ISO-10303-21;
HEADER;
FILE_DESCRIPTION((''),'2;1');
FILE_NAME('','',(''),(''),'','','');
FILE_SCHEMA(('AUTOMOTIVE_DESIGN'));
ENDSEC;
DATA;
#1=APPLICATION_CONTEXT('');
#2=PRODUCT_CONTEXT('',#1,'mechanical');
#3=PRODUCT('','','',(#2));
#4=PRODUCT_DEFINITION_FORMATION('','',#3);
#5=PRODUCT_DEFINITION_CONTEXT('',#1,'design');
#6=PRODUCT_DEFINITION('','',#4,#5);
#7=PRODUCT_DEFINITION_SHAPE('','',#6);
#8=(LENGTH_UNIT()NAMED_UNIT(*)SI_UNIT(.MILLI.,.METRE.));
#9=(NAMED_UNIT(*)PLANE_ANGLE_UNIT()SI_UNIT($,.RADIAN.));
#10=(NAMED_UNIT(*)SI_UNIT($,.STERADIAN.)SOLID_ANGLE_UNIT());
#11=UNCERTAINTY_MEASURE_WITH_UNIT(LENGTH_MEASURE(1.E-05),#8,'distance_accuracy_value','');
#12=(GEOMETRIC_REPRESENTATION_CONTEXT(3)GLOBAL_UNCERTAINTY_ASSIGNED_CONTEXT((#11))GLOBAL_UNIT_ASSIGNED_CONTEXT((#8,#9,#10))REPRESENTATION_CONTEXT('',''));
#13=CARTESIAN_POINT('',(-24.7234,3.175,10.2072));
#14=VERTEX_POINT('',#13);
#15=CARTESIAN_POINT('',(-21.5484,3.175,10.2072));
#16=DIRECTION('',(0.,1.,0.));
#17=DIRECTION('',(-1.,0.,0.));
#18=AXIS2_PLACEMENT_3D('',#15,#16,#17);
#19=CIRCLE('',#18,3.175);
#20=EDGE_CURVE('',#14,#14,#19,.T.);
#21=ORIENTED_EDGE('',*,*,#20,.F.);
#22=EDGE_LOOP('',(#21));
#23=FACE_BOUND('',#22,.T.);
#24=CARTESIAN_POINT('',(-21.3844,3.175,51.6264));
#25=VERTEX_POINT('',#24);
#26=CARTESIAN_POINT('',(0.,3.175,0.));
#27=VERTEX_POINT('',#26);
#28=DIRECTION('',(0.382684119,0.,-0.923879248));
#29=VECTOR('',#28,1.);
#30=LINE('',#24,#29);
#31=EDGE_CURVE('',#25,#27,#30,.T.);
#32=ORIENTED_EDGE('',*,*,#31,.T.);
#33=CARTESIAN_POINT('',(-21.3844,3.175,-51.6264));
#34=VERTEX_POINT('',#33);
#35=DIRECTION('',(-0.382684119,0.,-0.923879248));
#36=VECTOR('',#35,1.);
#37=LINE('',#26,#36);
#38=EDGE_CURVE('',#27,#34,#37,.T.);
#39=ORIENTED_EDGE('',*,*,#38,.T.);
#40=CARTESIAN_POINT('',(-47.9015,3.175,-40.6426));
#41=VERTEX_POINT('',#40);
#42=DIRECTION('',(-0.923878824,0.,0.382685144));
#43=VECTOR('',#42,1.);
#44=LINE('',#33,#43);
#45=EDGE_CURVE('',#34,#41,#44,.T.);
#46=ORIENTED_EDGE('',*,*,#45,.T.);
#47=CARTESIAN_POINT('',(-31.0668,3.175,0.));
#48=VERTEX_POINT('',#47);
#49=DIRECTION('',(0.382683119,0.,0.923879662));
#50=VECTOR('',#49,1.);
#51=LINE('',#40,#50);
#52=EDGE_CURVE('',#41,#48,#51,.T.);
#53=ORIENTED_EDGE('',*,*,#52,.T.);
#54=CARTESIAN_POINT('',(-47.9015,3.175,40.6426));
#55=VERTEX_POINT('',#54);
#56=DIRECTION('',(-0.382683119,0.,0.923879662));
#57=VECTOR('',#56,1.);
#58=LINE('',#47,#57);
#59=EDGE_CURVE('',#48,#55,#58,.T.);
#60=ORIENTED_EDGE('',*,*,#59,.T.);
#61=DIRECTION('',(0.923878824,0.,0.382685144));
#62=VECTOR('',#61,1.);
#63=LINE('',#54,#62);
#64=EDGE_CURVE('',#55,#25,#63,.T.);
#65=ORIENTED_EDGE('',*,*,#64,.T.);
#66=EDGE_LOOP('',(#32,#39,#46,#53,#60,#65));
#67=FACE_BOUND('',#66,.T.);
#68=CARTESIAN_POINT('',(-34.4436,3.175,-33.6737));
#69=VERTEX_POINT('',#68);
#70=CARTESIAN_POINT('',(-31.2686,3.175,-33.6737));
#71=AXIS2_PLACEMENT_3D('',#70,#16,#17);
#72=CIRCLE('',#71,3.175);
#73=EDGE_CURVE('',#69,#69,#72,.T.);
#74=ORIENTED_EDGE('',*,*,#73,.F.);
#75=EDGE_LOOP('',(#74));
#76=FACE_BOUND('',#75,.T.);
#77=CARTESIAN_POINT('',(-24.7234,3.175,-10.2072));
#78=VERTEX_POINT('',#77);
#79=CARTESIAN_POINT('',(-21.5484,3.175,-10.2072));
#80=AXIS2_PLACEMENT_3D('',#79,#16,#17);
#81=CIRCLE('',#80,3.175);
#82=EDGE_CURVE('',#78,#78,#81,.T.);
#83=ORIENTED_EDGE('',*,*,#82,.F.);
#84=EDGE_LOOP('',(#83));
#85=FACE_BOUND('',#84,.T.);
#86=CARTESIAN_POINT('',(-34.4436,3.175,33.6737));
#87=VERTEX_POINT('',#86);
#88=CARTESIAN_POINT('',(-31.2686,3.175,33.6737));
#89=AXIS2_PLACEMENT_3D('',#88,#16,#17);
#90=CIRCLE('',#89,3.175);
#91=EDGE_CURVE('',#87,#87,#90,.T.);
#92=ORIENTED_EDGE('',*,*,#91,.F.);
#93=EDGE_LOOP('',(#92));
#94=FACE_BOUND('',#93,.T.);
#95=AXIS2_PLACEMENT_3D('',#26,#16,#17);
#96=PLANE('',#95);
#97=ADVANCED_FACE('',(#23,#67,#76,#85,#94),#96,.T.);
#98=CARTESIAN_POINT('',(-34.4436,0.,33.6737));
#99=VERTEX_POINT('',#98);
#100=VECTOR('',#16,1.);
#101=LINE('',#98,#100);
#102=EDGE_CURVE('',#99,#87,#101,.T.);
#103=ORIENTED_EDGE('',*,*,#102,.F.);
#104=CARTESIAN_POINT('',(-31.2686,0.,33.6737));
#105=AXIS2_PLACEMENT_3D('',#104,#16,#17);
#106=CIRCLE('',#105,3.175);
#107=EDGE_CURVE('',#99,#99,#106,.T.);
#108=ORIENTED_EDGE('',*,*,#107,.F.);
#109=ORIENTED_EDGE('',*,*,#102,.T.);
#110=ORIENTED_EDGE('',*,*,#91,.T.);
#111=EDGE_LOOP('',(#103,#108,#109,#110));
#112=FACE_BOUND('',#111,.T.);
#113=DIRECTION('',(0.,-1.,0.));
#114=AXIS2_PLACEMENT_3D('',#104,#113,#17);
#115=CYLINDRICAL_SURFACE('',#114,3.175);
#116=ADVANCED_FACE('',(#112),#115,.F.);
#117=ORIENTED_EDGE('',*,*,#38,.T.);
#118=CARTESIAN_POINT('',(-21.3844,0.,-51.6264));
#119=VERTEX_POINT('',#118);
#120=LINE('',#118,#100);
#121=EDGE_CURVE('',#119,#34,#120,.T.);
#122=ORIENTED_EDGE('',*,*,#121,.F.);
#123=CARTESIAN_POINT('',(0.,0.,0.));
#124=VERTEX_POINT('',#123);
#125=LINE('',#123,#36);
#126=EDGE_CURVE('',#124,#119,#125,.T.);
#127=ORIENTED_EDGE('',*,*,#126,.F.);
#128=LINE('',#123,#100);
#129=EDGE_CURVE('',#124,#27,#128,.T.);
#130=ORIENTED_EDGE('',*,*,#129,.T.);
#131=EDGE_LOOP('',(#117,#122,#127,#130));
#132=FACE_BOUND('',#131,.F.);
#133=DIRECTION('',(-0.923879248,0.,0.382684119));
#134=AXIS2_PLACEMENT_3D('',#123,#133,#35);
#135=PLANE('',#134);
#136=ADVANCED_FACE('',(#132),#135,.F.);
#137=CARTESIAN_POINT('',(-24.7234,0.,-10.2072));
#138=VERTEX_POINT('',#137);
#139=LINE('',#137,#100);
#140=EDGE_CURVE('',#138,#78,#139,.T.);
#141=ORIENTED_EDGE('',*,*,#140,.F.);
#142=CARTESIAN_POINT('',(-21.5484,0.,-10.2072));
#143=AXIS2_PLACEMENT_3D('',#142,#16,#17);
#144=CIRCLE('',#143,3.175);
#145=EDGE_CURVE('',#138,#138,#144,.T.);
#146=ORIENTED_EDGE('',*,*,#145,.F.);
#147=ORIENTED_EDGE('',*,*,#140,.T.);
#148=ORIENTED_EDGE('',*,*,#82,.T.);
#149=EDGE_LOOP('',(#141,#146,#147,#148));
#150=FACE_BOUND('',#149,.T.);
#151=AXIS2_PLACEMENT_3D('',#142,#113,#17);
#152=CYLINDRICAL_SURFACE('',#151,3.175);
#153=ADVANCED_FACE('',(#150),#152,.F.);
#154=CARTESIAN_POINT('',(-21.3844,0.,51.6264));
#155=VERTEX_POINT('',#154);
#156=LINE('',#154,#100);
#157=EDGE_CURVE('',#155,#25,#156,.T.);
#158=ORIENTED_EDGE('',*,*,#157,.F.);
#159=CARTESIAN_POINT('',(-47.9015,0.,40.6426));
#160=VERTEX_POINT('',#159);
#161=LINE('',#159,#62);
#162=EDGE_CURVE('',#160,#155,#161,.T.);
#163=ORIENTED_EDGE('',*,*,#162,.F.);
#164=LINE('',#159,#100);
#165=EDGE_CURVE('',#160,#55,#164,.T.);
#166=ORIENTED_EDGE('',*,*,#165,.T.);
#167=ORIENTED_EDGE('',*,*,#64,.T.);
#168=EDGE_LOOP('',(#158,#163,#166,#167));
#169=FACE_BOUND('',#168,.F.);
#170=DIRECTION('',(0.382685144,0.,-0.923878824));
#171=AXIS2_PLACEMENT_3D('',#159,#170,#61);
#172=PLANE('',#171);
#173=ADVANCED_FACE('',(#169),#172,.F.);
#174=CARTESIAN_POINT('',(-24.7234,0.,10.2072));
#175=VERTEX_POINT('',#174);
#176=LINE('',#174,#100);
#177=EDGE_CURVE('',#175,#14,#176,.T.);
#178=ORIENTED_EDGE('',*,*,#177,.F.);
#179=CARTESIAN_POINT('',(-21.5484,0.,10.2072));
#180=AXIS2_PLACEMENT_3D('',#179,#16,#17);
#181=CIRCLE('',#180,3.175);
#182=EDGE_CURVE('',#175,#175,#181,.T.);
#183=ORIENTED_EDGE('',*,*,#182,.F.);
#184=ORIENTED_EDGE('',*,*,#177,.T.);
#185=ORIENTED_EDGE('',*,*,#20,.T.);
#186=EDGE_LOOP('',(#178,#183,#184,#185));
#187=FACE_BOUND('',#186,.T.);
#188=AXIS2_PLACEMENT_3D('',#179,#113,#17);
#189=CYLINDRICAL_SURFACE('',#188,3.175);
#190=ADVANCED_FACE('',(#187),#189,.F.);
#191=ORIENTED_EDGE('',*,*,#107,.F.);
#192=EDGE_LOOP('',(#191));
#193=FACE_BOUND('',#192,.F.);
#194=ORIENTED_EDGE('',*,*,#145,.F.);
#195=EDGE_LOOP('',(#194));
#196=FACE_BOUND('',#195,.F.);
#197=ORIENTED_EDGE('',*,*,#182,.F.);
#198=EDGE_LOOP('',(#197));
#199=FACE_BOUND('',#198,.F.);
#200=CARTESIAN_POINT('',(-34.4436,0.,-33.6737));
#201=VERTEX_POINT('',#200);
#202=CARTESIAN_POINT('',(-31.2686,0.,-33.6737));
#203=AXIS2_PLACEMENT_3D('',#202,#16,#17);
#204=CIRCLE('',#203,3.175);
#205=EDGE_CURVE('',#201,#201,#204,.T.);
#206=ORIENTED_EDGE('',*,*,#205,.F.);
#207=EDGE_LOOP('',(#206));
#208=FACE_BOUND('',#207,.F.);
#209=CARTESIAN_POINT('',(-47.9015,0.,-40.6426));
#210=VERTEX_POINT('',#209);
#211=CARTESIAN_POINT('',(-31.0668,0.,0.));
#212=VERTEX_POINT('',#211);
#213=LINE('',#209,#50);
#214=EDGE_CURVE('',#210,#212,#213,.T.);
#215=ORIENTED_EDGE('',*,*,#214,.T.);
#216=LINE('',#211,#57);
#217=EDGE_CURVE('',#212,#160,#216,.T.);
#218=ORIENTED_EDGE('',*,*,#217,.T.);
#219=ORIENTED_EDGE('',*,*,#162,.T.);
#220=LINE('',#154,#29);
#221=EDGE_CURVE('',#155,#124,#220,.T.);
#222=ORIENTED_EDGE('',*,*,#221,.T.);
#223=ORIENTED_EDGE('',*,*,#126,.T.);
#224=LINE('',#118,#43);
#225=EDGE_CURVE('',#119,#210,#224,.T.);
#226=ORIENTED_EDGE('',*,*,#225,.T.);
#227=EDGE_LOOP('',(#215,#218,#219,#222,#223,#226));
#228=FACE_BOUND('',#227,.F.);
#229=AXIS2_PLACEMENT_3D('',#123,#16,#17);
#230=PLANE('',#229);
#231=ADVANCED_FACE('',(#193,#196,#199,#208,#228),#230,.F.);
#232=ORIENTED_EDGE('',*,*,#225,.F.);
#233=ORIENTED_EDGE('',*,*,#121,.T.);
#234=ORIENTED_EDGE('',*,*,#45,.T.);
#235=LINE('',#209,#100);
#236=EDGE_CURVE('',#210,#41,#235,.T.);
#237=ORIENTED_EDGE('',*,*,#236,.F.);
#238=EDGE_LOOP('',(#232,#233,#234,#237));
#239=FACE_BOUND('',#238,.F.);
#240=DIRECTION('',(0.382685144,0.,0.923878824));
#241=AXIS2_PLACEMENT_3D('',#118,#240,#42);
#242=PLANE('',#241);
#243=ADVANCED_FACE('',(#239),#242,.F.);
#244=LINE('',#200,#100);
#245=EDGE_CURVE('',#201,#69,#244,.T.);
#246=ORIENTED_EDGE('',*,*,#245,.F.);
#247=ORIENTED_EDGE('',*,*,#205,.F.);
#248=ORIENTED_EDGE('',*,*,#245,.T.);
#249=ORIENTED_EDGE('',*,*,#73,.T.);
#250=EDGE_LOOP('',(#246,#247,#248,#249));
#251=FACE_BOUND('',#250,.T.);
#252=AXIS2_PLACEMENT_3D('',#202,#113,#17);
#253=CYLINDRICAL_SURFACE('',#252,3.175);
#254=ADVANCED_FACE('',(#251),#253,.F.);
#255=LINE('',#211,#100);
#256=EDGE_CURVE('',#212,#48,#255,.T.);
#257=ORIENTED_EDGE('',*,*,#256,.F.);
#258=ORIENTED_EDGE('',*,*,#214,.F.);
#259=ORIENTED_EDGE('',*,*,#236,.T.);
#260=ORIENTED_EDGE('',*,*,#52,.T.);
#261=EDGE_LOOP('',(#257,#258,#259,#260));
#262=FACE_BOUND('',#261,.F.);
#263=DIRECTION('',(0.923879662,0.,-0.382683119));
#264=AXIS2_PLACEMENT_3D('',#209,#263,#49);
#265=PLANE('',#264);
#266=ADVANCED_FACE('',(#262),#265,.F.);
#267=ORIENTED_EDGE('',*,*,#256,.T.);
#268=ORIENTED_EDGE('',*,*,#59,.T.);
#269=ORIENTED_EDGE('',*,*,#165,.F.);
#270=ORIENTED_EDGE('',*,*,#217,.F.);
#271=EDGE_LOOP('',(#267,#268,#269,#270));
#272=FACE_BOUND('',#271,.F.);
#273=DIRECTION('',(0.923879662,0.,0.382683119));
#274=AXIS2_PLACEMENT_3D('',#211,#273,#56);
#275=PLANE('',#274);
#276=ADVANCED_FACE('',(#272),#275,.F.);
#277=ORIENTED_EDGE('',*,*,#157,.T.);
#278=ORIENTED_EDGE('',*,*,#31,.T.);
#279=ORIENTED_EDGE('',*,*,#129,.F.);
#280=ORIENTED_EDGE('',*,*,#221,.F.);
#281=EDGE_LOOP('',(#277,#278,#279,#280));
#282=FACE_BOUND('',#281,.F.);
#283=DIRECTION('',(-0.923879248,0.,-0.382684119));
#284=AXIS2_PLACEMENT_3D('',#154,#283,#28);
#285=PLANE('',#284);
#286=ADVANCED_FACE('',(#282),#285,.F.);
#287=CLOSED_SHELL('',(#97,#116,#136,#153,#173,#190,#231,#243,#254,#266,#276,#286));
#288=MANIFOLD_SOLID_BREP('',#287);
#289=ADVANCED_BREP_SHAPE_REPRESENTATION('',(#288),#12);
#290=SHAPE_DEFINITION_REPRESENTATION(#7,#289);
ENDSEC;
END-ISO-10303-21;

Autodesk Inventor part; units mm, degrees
ref_plane "YZ Plane" through (0, 0, 0) normal (1, 0, 0) x (0, 1, 0)
ref_plane "XZ Plane" through (0, 0, 0) normal (0, 1, 0) x (-1, 0, 0)
ref_plane "XY Plane" through (0, 0, 0) normal (0, 0, 1) x (1, 0, 0)
sketch "Sketch1" plane through (0, 0, 0) normal (0, 1, 0) x (-1, 0, 0)
  line L0 (0, 0) -> (21.3844, -51.6264)
  line L1 (21.3844, -51.6264) -> (47.9015, -40.6426)
  line L2 (47.9015, -40.6426) -> (31.0668, 0)
  line L3 (31.0668, 0) -> (47.9015, 40.6426)
  line L4 (47.9015, 40.6426) -> (21.3844, 51.6264)
  line L5 (21.3844, 51.6264) -> (0, 0)
  line L6 (31.0668, 0) -> (0, 0) construction
  line L7 (32.6076, 3.7198) -> (1.5408, 3.7198) construction
  line L8 (1.5408, -3.7198) -> (32.6076, -3.7198) construction
  line L9 (17.3204, 0) -> (53.6646, 87.7425) construction
  circle A0 centre (50.7089, 80.6068) radius 3.175 construction
  circle A1 centre (21.5484, -10.2072) radius 3.175
  circle A2 centre (31.2686, -33.6737) radius 3.175
  line L10 (31.0668, 0) -> (4.5496, 10.9838) construction
  circle A3 centre (40.9887, 57.1403) radius 3.175 construction
  circle A4 centre (31.2686, 33.6737) radius 3.175
  circle A5 centre (21.5484, 10.2072) radius 3.175
  line L11 (0, 0) -> (37.501, -15.5334) construction
  line L12 (13.0041, 3.7198) -> (13.0041, -3.7198) construction
  line L13 (1.9044, 4.5976) -> (13.0041, 0) construction
  dimension "d1" = 55.88
  dimension "d2" = 135
  dimension "d3" = 3.7198
  dimension "d7" = 6.35
  dimension "d17" = 28.702
  dimension "d21" = 25.4
  dimension "d26" = 101.6
  dimension "d27" = 12.7
  dimension "d29" = 12.7
  dimension "d30" = 12.0142
extrude "Extrusion1" add sketch "Sketch1" along normal blind 3.175
equation "\"d26\" = 0.5 * CornerLength"
equation "\"CornerLength\" = 203.2"
equation "\"d33\" = 0"
properties part number "CornerBracket" material "Aluminum 6061"
